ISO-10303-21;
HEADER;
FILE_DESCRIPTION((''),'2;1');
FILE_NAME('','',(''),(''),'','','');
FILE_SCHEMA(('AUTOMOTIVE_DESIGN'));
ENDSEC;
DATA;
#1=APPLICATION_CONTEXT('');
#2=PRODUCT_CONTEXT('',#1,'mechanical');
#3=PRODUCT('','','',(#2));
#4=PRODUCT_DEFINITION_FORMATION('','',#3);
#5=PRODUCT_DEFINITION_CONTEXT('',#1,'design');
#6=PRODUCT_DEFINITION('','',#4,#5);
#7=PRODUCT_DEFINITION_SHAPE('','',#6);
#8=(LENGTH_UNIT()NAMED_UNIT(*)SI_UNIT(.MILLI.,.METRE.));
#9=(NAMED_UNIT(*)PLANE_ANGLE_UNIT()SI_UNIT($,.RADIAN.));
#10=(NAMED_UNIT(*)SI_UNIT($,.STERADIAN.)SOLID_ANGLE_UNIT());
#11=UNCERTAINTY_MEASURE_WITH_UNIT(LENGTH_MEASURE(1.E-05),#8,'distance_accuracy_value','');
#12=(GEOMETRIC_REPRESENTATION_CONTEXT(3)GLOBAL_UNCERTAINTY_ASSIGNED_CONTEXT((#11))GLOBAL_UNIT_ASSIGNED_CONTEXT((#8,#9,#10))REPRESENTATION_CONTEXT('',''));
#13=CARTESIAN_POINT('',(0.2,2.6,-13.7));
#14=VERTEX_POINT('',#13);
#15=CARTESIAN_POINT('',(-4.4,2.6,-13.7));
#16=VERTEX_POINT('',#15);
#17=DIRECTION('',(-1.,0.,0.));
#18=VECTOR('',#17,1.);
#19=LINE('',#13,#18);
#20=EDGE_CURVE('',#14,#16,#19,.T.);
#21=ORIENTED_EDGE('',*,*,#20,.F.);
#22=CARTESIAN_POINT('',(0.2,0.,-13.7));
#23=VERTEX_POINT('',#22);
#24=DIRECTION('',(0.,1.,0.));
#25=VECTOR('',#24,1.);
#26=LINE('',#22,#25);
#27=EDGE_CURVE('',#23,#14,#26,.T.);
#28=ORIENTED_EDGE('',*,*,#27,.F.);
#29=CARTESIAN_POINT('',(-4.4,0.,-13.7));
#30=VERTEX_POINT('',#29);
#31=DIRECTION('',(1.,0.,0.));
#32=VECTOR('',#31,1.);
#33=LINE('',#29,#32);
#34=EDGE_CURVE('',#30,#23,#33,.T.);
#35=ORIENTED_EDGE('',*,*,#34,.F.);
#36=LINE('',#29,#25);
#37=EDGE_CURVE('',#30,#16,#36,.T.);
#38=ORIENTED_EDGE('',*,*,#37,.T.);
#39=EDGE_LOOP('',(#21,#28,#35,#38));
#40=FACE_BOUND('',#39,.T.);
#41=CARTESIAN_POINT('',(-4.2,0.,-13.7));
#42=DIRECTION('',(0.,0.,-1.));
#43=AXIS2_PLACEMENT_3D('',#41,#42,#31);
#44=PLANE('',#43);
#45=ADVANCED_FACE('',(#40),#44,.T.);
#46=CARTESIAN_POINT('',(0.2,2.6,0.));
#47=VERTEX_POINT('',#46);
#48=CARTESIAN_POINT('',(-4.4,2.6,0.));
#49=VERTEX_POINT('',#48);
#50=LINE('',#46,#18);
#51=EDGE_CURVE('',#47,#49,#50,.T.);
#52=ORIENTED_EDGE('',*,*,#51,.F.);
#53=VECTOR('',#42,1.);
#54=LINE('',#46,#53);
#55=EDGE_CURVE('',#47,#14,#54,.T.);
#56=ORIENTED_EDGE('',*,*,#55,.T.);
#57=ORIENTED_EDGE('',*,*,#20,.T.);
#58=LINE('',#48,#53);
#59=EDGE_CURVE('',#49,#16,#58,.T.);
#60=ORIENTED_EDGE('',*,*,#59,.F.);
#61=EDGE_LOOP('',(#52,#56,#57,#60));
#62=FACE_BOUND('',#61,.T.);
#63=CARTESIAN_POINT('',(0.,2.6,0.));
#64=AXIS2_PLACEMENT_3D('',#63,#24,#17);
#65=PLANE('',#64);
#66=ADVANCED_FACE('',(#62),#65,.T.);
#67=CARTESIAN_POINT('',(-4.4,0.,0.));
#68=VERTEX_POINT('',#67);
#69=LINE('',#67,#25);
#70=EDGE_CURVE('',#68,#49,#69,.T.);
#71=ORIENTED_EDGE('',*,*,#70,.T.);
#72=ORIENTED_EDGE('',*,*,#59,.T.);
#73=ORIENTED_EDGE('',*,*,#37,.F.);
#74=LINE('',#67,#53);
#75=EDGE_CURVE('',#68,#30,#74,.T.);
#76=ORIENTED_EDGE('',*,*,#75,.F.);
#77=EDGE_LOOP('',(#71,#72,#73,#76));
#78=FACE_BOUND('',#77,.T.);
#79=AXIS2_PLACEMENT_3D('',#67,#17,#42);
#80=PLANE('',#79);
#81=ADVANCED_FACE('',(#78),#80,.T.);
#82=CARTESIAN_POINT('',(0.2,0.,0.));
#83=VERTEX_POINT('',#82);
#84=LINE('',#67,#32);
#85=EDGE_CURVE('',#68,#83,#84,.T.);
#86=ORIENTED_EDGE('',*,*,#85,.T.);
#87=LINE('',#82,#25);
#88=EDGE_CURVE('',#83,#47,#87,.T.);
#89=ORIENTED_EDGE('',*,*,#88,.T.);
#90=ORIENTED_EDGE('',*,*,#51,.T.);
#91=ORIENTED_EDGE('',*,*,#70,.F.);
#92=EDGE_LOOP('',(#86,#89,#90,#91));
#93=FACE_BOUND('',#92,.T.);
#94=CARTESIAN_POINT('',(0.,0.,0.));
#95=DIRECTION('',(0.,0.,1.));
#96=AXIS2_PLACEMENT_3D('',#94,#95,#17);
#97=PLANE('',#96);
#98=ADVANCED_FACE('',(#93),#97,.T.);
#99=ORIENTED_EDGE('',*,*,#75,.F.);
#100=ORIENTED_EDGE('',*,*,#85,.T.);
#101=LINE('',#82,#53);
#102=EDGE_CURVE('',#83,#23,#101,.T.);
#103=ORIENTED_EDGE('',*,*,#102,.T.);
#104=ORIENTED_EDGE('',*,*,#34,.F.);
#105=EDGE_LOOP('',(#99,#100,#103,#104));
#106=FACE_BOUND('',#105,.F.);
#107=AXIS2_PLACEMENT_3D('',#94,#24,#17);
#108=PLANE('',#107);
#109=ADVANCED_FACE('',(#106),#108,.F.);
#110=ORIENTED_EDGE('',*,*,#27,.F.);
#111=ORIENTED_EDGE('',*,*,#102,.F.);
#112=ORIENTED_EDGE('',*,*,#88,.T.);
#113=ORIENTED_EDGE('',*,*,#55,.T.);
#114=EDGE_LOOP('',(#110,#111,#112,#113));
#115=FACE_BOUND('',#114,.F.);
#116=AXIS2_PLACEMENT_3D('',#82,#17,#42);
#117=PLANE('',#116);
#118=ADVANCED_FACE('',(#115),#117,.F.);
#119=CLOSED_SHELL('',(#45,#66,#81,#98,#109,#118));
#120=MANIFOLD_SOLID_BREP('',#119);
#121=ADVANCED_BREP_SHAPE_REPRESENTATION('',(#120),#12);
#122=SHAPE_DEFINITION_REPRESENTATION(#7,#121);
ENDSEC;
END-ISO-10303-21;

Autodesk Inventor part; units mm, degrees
ref_plane "YZ Plane" through (0, 0, 0) normal (1, 0, 0) x (0, 1, 0)
ref_plane "XZ Plane" through (0, 0, 0) normal (0, 1, 0) x (-1, 0, 0)
ref_plane "XY Plane" through (0, 0, 0) normal (0, 0, 1) x (1, 0, 0)
sketch "Boceto1" plane through (0, 0, 0) normal (0, 1, 0) x (-1, 0, 0)
  line L0 (0, 0) -> (4.2, 0)
  line L1 (4.2, 0) -> (4.2, -13.7)
  line L2 (4.2, -13.7) -> (0, -13.7)
  line L3 (0, -13.7) -> (0, 0)
  line L4 (-0.2, 0) -> (4.4, 0)
  line L5 (4.4, 0) -> (4.4, -13.7)
  line L6 (4.4, -13.7) -> (-0.2, -13.7)
  line L7 (-0.2, 0) -> (-0.2, -13.7)
  line L8 (4.4, 0) -> (-0.2, 0)
  line L9 (-0.2, 0) -> (-0.2, -13.7)
  line L10 (-0.2, -13.7) -> (4.4, -13.7)
  line L11 (4.4, -13.7) -> (4.4, 0)
extrude "Extrusión1" add sketch "Boceto1" along normal blind 2.6
properties part number "bateria"
